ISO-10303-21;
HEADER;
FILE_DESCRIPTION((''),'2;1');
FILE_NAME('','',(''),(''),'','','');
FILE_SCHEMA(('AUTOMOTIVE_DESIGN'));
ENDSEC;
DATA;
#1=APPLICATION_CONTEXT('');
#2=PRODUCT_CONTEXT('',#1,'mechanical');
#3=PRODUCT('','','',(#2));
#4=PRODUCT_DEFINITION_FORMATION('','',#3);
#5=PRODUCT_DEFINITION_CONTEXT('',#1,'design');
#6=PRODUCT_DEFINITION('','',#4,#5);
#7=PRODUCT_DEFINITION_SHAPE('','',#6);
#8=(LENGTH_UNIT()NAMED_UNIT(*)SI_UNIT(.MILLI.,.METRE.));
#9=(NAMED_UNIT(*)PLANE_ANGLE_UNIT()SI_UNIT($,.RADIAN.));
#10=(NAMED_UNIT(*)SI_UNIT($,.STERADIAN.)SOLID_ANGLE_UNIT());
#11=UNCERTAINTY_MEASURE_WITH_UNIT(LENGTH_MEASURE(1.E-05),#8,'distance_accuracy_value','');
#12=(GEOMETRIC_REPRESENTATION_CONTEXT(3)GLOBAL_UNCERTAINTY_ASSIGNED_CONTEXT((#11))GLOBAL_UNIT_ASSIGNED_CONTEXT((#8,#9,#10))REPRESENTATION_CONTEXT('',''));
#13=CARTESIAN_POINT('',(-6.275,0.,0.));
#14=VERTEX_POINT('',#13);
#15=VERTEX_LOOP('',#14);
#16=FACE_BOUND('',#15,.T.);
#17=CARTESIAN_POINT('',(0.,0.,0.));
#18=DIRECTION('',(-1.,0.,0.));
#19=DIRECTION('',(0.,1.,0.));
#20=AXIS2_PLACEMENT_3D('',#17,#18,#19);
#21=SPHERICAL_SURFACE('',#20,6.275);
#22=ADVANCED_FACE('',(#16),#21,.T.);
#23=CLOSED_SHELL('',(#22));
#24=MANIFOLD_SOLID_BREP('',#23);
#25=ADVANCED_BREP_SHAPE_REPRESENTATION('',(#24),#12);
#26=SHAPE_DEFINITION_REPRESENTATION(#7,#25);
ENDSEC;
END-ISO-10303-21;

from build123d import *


with BuildPart() as part:
    # Sketch1 → Revolve1 (revolve)
    with BuildSketch(Plane.XY):
        with BuildLine():
            Line((-6.275, 0), (6.275, 0))
            ThreePointArc((6.275, 0), (0, 6.275), (-6.275, 0))
        make_face()
    revolve(axis=Axis((-6.275, 0, 0), (1, 0, 0)))


solid = part.part
